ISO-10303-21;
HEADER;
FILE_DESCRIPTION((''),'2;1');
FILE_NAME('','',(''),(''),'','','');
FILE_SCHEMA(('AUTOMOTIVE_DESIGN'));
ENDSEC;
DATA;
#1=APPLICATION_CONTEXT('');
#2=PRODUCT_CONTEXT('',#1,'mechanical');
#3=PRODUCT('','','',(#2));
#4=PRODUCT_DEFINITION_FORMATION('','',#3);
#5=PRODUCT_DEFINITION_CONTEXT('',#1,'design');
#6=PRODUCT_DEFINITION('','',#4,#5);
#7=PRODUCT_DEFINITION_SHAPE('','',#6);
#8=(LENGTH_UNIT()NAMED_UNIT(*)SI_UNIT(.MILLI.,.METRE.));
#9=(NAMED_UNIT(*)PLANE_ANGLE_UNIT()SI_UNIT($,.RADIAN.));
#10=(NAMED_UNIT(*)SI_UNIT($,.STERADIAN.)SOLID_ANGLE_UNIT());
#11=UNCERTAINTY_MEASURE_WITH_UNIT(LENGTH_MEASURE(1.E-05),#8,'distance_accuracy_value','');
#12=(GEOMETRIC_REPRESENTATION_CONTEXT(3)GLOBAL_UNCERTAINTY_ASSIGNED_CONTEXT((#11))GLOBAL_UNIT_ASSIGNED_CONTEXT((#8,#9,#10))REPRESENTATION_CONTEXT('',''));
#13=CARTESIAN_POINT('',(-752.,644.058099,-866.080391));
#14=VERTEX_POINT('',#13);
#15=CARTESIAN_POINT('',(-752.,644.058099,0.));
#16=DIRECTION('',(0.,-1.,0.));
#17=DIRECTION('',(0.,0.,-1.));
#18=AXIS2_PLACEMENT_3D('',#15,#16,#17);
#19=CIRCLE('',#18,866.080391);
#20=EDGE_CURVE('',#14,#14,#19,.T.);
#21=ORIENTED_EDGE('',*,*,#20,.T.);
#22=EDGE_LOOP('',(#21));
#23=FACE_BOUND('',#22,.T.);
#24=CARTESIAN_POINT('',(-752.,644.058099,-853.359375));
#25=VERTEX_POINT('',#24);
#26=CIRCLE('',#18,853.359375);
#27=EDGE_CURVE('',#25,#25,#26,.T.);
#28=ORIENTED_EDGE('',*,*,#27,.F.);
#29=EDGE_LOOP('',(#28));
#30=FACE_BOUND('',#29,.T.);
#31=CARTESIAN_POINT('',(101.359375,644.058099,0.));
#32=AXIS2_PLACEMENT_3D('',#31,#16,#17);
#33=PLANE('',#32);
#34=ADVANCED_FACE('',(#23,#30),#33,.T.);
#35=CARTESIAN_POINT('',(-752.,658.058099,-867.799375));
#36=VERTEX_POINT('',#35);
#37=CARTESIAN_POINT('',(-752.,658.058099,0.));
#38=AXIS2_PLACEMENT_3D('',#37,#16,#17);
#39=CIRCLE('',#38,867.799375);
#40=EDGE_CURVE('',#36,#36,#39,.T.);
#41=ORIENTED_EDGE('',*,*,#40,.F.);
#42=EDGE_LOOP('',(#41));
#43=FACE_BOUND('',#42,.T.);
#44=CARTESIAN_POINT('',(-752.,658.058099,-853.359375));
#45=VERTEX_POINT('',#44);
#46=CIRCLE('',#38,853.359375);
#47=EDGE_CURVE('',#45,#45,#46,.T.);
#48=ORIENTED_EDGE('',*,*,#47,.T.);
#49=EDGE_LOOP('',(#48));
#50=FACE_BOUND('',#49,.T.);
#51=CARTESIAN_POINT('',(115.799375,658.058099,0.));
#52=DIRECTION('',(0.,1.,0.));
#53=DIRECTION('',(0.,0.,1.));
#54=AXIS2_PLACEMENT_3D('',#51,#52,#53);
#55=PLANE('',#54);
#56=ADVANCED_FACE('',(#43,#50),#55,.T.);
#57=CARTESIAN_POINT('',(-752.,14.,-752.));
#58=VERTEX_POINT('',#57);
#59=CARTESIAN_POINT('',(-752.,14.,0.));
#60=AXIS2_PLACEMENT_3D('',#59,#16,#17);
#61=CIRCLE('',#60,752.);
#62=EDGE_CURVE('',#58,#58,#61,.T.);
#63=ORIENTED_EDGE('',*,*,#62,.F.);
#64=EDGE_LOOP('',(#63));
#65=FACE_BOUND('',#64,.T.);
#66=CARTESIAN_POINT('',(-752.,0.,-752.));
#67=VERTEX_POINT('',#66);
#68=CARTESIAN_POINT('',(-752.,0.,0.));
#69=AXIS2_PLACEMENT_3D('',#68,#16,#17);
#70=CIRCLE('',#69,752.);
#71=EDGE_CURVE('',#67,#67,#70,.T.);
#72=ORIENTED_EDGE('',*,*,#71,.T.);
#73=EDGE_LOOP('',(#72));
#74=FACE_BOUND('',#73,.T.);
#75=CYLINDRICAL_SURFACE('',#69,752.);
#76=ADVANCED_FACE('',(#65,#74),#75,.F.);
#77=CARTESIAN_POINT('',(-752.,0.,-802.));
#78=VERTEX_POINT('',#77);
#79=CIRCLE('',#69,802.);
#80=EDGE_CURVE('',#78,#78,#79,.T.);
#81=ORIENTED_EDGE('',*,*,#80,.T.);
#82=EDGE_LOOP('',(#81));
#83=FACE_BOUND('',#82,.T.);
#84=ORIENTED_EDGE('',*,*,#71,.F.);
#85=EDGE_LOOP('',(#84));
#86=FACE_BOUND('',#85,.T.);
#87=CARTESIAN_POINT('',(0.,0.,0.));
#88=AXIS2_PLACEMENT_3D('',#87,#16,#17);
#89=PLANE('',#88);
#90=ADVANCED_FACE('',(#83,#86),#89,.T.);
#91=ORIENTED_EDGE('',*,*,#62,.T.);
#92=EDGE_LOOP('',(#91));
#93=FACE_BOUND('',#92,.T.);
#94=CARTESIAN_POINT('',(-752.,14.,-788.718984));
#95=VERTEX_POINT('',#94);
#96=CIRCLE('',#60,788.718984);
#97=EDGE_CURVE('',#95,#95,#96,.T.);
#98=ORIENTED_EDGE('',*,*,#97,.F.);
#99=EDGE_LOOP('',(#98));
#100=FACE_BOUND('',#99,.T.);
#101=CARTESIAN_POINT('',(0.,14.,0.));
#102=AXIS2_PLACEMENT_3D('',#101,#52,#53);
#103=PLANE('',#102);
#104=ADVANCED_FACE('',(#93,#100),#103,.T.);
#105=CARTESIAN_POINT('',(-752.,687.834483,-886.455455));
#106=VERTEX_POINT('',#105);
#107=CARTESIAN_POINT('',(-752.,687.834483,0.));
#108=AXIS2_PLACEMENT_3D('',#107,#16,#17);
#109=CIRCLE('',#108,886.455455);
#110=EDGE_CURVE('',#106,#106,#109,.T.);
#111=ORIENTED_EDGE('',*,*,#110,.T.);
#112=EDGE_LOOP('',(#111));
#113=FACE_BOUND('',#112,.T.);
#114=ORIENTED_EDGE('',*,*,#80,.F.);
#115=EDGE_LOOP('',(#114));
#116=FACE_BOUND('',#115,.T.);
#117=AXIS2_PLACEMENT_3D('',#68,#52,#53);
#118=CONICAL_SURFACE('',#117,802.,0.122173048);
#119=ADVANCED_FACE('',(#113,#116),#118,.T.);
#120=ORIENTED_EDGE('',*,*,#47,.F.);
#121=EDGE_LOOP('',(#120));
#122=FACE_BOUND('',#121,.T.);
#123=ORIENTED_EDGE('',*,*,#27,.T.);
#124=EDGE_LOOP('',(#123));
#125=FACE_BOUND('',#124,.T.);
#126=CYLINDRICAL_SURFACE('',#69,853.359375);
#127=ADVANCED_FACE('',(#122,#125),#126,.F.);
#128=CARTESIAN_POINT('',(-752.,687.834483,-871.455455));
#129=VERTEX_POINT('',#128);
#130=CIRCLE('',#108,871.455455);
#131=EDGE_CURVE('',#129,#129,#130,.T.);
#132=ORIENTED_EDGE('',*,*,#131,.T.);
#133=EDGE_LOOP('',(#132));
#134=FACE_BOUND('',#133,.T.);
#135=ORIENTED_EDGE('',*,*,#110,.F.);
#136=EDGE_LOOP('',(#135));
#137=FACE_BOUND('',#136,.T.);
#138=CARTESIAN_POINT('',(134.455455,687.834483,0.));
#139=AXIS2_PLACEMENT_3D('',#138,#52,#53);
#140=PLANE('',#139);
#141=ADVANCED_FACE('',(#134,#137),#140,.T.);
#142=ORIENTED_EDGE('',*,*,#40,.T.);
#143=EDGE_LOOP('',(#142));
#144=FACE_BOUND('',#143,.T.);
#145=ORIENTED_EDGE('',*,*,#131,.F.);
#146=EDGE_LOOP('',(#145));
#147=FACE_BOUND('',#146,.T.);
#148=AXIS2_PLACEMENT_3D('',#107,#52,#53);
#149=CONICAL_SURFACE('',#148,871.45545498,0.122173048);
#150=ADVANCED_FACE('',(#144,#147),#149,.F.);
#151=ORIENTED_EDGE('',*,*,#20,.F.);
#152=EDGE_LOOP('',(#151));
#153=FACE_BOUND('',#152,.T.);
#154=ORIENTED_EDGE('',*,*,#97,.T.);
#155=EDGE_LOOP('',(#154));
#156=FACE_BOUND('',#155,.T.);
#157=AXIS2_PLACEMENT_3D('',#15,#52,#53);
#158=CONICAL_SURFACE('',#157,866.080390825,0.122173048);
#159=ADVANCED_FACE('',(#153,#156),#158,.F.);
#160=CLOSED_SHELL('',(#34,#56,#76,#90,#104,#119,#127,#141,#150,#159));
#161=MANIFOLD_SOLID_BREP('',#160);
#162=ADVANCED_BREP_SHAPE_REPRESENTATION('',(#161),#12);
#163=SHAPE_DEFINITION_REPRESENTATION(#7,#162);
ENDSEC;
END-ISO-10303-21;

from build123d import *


with BuildPart() as part:
    # 草图1 → 旋转1 (revolve)
    with BuildSketch(Plane.XY):
        Polygon((0, 0), (50, 0), (134.45545498, 687.834483087), (119.45545498, 687.834483087), (115.799374678, 658.058098538), (101.359374678, 658.058098538), (101.359374678, 644.058098538), (114.080390825, 644.058098538), (36.718983853, 14), (0, 14), align=None)
    revolve(axis=Axis((-752, 0, 0), (0, 1, 0)))


solid = part.part
